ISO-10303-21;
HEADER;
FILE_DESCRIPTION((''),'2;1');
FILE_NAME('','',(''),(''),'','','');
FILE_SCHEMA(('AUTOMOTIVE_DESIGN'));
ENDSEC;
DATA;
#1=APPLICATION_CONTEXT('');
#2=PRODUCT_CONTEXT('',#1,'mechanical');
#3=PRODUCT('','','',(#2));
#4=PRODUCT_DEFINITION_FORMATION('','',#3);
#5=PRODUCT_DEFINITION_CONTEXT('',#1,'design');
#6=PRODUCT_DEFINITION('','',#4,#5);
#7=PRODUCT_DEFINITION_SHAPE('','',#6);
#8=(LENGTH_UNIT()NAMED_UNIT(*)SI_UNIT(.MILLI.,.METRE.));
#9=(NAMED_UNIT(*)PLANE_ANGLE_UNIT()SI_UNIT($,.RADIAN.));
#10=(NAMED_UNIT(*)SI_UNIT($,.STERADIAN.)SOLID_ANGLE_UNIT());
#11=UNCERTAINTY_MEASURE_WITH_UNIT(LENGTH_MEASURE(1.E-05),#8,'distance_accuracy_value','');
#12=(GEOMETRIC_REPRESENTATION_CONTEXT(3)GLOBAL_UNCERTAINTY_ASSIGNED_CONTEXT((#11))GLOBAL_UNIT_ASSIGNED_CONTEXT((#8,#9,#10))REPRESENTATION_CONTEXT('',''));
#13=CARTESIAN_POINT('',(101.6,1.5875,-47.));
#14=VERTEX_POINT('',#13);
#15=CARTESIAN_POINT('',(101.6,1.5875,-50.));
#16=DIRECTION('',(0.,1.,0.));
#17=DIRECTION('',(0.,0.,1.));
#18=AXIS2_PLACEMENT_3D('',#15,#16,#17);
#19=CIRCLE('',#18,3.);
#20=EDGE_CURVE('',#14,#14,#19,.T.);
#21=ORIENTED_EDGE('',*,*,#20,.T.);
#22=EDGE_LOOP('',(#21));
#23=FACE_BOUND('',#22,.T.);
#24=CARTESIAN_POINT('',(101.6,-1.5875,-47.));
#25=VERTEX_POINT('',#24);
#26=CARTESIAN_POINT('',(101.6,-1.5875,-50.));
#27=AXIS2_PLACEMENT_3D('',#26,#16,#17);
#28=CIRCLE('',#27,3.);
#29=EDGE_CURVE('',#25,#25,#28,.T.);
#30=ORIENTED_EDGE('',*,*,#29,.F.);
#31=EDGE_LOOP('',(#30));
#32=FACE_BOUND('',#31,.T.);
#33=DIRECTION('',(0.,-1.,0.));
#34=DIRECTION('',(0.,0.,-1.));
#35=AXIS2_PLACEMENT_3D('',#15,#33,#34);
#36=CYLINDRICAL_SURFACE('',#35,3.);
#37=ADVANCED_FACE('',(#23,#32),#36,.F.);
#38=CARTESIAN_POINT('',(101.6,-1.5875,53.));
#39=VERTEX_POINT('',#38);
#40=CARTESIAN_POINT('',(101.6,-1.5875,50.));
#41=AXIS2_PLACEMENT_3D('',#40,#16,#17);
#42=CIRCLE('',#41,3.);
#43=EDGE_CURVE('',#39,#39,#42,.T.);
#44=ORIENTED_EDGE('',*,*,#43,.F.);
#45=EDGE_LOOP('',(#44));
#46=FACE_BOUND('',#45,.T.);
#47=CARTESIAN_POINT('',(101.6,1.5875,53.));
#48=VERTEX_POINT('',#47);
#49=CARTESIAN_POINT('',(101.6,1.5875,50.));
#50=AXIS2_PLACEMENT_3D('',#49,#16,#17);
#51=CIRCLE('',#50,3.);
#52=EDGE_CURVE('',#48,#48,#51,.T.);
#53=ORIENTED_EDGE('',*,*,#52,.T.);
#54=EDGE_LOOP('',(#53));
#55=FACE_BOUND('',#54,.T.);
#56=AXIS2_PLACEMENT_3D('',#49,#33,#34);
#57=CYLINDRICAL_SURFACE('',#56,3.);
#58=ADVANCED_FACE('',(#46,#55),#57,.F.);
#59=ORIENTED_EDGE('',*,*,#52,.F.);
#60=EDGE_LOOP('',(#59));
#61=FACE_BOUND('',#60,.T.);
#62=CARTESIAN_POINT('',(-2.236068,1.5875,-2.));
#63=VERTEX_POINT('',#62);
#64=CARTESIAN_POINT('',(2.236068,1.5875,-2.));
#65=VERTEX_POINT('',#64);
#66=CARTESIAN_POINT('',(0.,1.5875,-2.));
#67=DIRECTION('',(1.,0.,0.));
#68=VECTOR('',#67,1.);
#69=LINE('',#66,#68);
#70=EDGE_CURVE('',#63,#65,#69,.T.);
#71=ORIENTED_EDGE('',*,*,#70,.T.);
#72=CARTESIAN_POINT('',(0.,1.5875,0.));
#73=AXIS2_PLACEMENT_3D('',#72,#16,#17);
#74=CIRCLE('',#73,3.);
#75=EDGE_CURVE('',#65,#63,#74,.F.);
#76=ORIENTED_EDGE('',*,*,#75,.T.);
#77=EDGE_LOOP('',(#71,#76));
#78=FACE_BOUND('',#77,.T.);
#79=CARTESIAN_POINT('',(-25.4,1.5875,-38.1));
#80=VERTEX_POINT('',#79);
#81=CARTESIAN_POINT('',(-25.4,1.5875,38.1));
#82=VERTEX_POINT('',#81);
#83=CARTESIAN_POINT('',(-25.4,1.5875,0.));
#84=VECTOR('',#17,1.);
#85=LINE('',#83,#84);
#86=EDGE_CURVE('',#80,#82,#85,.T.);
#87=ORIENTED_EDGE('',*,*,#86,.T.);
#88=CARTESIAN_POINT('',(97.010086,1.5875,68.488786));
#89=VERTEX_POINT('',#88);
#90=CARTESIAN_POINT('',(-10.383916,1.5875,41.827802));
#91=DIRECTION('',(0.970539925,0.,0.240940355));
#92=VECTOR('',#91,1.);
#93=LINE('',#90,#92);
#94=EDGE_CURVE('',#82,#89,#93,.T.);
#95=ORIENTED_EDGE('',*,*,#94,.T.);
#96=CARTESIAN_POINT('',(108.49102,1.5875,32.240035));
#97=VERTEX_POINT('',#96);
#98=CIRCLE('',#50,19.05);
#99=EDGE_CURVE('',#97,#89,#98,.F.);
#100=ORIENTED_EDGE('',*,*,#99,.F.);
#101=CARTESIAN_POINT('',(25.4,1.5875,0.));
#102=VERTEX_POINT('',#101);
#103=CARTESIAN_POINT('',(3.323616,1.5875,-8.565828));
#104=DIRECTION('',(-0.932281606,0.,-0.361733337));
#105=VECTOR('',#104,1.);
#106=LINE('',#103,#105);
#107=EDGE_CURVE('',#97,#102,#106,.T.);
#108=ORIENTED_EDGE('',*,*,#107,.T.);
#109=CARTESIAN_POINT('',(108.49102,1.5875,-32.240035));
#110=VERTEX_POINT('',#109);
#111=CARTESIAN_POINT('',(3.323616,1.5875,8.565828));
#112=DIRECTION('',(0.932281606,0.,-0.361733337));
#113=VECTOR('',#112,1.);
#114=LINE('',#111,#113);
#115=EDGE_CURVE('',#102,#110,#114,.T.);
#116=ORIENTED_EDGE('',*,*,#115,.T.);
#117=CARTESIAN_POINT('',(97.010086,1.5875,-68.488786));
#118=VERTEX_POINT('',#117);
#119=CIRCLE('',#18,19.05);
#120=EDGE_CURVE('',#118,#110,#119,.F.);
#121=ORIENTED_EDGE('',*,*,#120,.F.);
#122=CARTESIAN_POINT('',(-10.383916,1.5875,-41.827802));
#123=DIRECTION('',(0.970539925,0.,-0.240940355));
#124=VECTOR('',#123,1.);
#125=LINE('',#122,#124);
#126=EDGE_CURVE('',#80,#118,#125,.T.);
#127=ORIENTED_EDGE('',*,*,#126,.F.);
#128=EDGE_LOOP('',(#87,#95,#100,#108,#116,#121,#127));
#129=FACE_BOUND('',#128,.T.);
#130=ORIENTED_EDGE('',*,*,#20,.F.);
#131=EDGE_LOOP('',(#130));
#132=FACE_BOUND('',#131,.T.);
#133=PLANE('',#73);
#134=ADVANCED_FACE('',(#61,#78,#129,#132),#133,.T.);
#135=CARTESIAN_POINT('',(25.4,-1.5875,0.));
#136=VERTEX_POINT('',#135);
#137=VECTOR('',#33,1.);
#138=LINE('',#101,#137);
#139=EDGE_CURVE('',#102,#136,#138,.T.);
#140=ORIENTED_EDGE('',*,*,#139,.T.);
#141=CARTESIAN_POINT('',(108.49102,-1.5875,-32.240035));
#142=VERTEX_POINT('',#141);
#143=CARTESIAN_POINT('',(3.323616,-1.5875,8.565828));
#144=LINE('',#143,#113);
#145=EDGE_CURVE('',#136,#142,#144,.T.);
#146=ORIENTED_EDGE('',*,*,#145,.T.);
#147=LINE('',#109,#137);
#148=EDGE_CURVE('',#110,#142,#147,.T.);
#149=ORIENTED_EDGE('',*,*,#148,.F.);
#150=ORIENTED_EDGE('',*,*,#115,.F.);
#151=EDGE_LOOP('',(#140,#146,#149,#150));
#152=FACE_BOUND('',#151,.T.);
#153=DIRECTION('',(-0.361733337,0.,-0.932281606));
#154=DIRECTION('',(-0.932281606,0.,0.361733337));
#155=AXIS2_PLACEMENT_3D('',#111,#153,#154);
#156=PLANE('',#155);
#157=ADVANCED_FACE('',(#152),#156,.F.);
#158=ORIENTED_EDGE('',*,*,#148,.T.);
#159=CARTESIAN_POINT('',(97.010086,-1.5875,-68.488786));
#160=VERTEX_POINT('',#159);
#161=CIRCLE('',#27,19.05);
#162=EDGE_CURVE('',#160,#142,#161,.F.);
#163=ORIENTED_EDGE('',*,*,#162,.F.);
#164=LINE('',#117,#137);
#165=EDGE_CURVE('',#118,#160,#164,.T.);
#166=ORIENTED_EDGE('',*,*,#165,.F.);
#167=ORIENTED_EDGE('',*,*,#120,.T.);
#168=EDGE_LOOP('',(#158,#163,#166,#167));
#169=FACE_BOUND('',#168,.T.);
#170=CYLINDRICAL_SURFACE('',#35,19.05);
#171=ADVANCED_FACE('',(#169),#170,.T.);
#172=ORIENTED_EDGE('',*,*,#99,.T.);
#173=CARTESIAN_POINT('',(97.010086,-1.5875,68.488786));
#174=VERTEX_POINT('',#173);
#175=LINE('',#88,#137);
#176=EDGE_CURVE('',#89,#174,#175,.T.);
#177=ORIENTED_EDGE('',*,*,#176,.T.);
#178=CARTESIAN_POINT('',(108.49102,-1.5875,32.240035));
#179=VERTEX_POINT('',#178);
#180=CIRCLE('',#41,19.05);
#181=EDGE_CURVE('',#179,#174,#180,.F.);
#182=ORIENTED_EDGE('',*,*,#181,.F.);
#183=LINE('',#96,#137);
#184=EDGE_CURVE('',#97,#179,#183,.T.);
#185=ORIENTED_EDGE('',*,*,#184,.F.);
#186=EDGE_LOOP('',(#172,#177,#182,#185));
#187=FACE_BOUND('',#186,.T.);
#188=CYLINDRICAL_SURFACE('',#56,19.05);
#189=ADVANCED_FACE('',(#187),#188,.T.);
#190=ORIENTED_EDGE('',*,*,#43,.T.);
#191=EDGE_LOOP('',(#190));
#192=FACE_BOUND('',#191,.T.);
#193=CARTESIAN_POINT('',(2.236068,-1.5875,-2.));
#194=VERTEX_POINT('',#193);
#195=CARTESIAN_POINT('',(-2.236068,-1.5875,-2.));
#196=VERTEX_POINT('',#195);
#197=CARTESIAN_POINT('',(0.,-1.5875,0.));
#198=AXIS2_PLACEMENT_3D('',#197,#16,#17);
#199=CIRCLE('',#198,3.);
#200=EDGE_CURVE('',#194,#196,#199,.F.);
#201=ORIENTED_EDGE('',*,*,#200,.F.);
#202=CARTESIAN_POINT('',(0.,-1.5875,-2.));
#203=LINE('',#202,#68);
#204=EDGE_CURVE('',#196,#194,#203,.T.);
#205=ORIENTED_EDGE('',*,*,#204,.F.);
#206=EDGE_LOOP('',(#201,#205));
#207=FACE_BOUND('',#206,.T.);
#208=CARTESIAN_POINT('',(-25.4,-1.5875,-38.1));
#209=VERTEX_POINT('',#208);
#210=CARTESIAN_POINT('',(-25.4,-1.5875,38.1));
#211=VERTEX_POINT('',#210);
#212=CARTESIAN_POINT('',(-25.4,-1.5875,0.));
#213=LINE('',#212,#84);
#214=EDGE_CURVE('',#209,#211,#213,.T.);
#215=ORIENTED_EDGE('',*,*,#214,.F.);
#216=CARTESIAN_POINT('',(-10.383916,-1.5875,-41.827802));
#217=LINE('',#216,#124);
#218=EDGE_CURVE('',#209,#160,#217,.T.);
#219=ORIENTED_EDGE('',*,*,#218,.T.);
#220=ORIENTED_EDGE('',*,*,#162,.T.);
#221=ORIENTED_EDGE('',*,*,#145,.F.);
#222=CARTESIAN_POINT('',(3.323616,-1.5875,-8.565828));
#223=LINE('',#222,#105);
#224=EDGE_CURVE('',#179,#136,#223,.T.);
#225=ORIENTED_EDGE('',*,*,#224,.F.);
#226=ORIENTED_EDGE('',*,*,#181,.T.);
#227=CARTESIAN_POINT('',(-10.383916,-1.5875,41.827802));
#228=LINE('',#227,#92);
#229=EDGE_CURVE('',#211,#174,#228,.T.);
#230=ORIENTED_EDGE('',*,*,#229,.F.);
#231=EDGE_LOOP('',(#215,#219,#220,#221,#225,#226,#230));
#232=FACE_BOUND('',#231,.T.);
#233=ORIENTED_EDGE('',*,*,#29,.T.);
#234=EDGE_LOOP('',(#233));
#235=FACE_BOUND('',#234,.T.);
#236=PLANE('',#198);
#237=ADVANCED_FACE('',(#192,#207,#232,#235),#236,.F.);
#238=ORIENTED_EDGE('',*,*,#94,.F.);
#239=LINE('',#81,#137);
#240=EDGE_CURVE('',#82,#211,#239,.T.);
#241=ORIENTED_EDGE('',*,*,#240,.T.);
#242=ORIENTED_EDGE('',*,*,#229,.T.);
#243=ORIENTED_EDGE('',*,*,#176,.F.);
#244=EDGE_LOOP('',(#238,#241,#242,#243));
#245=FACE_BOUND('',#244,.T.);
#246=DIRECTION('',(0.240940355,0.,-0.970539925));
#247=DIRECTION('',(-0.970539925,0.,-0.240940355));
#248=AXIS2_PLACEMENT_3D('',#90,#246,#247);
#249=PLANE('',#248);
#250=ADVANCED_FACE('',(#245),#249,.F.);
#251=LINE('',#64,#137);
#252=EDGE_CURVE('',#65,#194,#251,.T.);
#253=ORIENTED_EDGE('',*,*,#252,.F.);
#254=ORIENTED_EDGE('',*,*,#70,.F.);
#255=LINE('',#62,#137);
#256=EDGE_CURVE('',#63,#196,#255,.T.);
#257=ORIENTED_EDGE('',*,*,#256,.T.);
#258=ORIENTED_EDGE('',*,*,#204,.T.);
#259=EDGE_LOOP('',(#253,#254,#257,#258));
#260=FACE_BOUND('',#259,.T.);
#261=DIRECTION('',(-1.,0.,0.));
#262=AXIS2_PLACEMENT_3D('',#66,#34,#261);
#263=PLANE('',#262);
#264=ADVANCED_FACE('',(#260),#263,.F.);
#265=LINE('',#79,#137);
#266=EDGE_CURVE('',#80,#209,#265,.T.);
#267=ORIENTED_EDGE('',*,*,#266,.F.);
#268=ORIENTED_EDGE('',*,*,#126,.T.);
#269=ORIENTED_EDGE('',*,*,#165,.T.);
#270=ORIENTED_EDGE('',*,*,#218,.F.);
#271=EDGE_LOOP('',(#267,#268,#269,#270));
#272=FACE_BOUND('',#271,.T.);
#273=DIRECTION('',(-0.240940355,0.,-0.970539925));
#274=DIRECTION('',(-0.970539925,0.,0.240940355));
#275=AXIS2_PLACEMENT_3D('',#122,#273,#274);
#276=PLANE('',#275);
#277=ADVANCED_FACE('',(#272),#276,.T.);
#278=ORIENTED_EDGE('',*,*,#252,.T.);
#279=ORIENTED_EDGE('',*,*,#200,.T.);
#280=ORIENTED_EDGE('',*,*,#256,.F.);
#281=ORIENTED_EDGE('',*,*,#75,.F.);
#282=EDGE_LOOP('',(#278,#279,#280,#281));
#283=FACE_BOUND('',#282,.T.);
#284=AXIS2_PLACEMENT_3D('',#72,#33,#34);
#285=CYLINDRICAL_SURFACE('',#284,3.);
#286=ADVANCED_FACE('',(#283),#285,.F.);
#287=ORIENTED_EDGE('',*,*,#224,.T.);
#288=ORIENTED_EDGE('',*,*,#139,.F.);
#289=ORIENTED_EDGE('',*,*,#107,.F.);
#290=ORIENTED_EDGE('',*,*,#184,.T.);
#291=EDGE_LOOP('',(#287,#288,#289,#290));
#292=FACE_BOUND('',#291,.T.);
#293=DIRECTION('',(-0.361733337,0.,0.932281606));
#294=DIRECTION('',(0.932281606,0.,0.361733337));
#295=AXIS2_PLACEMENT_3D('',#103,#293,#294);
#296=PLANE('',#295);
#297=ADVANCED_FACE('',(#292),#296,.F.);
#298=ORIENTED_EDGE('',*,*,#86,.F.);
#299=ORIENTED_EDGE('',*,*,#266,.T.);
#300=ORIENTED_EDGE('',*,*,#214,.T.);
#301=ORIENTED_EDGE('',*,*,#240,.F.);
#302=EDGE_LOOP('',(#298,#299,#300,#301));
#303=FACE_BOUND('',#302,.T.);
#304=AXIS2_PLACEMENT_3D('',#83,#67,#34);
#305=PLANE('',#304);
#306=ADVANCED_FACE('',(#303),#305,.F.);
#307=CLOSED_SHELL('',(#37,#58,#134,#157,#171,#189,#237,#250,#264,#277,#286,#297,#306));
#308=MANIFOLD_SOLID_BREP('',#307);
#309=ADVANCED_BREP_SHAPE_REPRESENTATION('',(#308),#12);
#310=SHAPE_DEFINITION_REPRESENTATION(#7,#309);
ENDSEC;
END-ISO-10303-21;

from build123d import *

# Parameters (mm, degrees)
SKETCH1_R           = 3
BOSS_EXTRUDE1_DEPTH = 1.5875


with BuildPart() as part:
    # Sketch1 → Boss-Extrude1 (new body, symmetric)
    with BuildSketch(Plane(origin=(0, 0, 0), x_dir=(1, 0, 0), z_dir=(0, 1, 0))):
        with BuildLine():
            Line((-25.4, 38.1), (97.010086235, 68.488785564))
            ThreePointArc((97.010086235, 68.488785564), (119.760857484, 55.752021858), (108.491020074, 32.240035407))
            Line((108.491020074, 32.240035407), (25.4, 0))
            Line((25.4, 0), (108.491020074, -32.240035407))
            ThreePointArc((108.491020074, -32.240035407), (119.760857484, -55.752021858), (97.010086235, -68.488785564))
            Line((97.010086235, -68.488785564), (-25.4, -38.1))
            Line((-25.4, -38.1), (-25.4, 38.1))
        make_face()
        with Locations((101.6, 50)):
            Circle(SKETCH1_R, mode=Mode.SUBTRACT)
        with Locations((101.6, -50)):
            Circle(SKETCH1_R, mode=Mode.SUBTRACT)
        with BuildLine():
            Line((-2.236067977, 2), (2.236067977, 2))
            ThreePointArc((2.236067977, 2), (0, -3), (-2.236067977, 2))
        make_face(mode=Mode.SUBTRACT)
    extrude(amount=BOSS_EXTRUDE1_DEPTH, both=True)


solid = part.part
